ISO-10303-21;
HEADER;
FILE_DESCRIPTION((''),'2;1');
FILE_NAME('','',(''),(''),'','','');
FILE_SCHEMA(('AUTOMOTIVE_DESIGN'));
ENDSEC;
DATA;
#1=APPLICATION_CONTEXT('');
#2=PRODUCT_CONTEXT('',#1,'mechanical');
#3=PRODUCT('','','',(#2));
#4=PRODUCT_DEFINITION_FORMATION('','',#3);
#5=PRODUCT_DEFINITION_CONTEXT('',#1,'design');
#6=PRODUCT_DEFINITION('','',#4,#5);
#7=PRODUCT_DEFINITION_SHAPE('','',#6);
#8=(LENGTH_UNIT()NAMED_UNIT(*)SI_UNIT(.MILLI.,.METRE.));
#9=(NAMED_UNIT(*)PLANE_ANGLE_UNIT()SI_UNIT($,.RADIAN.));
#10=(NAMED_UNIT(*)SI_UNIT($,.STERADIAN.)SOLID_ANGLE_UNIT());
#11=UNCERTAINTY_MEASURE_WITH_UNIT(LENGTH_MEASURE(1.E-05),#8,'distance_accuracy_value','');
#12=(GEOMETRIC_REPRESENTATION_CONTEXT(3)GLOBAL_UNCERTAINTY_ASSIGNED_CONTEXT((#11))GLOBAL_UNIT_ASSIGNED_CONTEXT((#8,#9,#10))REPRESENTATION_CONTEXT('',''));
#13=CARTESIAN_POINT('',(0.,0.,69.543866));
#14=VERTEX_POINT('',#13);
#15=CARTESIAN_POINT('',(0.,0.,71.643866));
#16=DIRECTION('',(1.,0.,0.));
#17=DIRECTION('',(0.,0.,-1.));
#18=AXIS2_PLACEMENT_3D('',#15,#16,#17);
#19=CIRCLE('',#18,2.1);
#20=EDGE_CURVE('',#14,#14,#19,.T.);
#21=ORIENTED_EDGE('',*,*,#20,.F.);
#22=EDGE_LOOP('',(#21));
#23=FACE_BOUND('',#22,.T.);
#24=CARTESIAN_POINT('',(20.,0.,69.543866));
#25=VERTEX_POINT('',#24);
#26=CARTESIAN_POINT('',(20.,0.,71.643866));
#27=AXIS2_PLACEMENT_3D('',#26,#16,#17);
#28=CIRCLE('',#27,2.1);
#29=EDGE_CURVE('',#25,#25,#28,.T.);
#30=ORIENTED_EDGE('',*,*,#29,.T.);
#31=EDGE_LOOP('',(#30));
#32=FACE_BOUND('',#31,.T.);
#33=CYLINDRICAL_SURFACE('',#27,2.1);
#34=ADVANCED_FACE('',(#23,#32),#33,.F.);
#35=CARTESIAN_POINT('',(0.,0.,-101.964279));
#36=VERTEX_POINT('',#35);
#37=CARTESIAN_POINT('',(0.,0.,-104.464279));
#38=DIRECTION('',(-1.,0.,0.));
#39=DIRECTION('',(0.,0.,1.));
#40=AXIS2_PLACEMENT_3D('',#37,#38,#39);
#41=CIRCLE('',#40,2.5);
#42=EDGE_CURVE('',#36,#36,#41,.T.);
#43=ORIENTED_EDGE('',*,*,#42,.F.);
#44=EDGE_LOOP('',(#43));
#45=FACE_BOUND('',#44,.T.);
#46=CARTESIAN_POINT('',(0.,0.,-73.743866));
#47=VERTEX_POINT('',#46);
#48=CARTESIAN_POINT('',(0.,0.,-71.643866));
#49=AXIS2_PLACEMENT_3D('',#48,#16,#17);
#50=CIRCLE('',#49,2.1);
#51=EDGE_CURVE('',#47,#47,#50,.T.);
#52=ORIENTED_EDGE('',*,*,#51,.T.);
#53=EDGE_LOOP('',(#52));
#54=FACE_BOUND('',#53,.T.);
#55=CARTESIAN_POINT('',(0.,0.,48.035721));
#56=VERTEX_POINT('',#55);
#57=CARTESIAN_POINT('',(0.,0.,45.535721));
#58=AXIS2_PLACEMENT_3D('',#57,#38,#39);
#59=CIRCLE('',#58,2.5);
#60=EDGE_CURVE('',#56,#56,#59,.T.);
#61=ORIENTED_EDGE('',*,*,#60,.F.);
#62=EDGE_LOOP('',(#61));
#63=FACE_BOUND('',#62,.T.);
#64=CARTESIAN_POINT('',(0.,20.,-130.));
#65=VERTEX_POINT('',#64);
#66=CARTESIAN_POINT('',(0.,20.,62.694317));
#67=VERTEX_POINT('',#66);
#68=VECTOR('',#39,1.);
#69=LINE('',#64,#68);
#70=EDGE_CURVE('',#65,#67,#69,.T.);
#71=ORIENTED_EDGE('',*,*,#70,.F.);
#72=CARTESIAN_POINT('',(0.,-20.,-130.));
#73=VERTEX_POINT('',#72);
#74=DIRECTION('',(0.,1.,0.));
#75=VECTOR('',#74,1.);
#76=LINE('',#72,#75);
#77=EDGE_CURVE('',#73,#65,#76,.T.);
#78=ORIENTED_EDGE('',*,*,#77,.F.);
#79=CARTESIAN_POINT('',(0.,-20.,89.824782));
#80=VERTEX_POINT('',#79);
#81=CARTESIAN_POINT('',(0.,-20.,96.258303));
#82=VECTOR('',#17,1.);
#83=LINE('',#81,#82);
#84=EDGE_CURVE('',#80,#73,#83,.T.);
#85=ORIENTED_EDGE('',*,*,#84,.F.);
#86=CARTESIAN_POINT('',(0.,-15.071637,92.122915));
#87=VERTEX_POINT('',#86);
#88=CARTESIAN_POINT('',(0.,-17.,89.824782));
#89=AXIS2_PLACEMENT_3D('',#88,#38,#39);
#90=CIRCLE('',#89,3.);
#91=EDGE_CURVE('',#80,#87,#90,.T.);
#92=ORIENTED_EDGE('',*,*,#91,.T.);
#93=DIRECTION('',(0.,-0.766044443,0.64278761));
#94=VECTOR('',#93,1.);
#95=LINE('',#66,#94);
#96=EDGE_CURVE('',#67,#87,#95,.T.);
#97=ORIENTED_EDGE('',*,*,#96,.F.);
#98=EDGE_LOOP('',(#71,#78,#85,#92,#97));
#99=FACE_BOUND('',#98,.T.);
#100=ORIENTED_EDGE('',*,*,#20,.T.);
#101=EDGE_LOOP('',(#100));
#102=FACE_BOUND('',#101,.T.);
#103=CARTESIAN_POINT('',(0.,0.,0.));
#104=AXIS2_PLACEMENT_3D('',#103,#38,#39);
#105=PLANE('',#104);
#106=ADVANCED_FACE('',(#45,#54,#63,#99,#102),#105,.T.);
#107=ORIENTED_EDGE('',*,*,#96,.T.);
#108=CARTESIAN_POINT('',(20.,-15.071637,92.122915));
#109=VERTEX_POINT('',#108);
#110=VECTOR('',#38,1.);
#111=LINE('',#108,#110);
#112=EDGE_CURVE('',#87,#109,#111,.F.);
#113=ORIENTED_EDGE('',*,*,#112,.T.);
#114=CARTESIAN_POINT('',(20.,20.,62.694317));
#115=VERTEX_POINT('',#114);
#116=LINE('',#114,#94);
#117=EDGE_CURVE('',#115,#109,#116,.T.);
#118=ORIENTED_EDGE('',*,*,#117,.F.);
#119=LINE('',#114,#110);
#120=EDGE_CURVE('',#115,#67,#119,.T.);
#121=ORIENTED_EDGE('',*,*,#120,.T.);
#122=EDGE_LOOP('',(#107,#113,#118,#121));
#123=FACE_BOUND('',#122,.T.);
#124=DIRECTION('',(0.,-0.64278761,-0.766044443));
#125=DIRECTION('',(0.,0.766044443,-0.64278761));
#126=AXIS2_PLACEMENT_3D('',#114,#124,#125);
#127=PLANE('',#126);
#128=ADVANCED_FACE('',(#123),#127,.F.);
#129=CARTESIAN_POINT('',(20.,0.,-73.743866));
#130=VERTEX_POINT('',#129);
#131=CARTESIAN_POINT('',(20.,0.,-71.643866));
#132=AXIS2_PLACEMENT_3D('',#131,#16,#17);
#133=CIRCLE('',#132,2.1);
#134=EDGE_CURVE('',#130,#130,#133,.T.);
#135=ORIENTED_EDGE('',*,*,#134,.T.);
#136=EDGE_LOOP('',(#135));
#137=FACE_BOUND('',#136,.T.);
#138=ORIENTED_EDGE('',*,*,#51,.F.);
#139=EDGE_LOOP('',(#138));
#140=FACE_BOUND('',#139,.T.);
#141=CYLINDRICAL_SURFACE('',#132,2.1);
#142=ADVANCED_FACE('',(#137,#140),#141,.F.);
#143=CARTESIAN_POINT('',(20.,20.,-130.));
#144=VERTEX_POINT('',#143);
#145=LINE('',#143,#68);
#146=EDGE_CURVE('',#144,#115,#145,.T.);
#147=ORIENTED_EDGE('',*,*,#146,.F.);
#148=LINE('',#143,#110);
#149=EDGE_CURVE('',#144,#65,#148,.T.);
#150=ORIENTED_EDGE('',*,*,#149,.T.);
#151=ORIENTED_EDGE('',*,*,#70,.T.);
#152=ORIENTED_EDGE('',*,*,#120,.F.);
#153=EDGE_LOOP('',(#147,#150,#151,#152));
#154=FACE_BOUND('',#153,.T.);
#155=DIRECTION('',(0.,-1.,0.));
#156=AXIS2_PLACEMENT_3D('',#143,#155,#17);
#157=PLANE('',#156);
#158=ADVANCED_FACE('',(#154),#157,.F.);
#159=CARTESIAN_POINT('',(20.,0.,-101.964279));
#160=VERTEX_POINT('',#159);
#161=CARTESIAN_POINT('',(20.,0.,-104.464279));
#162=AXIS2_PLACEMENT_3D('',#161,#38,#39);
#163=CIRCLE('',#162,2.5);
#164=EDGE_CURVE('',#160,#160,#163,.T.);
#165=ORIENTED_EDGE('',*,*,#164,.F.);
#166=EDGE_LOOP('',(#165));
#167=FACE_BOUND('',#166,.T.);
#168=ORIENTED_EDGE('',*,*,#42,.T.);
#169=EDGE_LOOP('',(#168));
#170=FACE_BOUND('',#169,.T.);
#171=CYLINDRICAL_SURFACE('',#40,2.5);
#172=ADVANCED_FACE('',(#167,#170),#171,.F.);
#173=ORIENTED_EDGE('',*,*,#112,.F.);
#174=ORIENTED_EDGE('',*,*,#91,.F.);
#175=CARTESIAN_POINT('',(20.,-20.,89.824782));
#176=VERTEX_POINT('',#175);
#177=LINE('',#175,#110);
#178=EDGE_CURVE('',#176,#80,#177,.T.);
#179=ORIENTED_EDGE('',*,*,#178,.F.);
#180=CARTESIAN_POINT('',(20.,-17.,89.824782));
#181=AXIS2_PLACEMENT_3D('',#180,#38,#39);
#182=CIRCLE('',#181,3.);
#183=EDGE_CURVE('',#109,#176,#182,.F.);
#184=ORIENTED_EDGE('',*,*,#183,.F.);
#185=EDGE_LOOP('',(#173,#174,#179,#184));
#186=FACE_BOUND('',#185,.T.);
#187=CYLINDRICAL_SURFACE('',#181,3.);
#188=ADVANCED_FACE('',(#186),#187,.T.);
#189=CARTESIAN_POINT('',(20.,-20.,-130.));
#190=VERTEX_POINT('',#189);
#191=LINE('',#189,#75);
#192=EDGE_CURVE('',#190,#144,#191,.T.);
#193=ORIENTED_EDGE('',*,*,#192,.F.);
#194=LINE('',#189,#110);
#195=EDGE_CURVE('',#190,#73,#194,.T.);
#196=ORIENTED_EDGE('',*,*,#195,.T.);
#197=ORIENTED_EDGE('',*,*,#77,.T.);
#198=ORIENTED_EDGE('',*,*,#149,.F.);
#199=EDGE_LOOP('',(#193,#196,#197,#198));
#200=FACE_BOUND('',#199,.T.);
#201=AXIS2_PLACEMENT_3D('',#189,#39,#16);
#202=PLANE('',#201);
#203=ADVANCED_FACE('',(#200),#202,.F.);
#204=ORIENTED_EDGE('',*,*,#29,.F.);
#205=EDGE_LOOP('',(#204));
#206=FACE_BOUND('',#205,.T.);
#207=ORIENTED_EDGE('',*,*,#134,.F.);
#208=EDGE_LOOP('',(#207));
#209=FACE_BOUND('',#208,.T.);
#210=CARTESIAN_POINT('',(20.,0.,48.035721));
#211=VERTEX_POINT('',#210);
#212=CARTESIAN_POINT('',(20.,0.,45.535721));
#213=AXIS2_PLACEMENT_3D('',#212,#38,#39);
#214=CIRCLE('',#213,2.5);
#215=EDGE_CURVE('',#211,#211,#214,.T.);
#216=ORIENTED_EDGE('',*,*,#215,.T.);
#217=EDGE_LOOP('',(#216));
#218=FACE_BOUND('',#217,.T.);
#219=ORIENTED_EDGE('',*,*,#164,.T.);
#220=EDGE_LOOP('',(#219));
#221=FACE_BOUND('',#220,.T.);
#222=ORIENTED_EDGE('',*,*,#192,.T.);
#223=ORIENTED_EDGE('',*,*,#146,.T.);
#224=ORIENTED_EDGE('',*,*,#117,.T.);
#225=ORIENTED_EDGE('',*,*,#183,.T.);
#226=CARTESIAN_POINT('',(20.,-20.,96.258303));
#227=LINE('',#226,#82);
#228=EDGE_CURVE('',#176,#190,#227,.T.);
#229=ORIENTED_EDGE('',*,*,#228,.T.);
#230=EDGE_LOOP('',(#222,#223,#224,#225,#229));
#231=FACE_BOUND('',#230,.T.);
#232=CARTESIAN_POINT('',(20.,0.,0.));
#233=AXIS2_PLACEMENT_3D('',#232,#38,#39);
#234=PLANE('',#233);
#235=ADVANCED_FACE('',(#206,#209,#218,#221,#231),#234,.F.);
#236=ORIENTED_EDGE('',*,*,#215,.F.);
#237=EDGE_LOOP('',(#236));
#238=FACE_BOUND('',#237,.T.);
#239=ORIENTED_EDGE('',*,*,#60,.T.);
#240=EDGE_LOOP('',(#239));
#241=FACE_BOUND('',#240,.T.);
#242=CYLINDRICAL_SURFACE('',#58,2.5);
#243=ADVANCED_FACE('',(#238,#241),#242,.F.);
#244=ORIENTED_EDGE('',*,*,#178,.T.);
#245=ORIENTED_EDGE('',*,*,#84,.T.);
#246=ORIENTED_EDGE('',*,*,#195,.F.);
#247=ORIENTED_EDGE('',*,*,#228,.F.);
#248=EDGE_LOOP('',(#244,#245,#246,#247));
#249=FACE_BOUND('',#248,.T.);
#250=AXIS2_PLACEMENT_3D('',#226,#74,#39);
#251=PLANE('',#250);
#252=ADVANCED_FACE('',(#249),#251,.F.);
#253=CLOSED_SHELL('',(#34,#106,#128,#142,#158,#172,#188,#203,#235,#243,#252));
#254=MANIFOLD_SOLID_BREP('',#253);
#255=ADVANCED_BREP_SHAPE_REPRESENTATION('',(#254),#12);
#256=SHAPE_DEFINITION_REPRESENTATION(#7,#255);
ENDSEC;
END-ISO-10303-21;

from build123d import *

# Parameters (mm, degrees)
BOSS_EXTRUDE1_DEPTH    = 20
M6_TAPPED_HOLE1_D      = 5
FILLET1_R              = 3
OTW_R_GWINTOWANY_M51_D = 4.2


with BuildPart() as part:
    # Sketch3 → Boss-Extrude1 (new body)
    with BuildSketch(Plane(origin=(0, 0, 0), x_dir=(0, 0, -1), z_dir=(1, 0, 0))):
        Polygon((-62.694317427, 20), (-96.258302674, -20), (130, -20), (130, 20), align=None)
    extrude(amount=BOSS_EXTRUDE1_DEPTH)

    # M6 Tapped Hole1 (through all)
    with Locations(Plane.ZY):
        with Locations((45.535720528, 0), (-104.464279472, 0)):
            Hole(M6_TAPPED_HOLE1_D / 2)

    # Fillet1
    fillet1_edges = [part.edges().sort_by_distance(p)[0] for p in [
        (10, -20, 96.258302674),
    ]]
    fillet(fillet1_edges, radius=FILLET1_R)

    # Otwór gwintowany M51 (through all)
    with Locations(Plane(origin=(20, 0, 0), x_dir=(0, 0, -1), z_dir=(1, 0, 0))):
        with Locations((-71.643866315, 0), (71.643866315, 0)):
            Hole(OTW_R_GWINTOWANY_M51_D / 2)


solid = part.part
